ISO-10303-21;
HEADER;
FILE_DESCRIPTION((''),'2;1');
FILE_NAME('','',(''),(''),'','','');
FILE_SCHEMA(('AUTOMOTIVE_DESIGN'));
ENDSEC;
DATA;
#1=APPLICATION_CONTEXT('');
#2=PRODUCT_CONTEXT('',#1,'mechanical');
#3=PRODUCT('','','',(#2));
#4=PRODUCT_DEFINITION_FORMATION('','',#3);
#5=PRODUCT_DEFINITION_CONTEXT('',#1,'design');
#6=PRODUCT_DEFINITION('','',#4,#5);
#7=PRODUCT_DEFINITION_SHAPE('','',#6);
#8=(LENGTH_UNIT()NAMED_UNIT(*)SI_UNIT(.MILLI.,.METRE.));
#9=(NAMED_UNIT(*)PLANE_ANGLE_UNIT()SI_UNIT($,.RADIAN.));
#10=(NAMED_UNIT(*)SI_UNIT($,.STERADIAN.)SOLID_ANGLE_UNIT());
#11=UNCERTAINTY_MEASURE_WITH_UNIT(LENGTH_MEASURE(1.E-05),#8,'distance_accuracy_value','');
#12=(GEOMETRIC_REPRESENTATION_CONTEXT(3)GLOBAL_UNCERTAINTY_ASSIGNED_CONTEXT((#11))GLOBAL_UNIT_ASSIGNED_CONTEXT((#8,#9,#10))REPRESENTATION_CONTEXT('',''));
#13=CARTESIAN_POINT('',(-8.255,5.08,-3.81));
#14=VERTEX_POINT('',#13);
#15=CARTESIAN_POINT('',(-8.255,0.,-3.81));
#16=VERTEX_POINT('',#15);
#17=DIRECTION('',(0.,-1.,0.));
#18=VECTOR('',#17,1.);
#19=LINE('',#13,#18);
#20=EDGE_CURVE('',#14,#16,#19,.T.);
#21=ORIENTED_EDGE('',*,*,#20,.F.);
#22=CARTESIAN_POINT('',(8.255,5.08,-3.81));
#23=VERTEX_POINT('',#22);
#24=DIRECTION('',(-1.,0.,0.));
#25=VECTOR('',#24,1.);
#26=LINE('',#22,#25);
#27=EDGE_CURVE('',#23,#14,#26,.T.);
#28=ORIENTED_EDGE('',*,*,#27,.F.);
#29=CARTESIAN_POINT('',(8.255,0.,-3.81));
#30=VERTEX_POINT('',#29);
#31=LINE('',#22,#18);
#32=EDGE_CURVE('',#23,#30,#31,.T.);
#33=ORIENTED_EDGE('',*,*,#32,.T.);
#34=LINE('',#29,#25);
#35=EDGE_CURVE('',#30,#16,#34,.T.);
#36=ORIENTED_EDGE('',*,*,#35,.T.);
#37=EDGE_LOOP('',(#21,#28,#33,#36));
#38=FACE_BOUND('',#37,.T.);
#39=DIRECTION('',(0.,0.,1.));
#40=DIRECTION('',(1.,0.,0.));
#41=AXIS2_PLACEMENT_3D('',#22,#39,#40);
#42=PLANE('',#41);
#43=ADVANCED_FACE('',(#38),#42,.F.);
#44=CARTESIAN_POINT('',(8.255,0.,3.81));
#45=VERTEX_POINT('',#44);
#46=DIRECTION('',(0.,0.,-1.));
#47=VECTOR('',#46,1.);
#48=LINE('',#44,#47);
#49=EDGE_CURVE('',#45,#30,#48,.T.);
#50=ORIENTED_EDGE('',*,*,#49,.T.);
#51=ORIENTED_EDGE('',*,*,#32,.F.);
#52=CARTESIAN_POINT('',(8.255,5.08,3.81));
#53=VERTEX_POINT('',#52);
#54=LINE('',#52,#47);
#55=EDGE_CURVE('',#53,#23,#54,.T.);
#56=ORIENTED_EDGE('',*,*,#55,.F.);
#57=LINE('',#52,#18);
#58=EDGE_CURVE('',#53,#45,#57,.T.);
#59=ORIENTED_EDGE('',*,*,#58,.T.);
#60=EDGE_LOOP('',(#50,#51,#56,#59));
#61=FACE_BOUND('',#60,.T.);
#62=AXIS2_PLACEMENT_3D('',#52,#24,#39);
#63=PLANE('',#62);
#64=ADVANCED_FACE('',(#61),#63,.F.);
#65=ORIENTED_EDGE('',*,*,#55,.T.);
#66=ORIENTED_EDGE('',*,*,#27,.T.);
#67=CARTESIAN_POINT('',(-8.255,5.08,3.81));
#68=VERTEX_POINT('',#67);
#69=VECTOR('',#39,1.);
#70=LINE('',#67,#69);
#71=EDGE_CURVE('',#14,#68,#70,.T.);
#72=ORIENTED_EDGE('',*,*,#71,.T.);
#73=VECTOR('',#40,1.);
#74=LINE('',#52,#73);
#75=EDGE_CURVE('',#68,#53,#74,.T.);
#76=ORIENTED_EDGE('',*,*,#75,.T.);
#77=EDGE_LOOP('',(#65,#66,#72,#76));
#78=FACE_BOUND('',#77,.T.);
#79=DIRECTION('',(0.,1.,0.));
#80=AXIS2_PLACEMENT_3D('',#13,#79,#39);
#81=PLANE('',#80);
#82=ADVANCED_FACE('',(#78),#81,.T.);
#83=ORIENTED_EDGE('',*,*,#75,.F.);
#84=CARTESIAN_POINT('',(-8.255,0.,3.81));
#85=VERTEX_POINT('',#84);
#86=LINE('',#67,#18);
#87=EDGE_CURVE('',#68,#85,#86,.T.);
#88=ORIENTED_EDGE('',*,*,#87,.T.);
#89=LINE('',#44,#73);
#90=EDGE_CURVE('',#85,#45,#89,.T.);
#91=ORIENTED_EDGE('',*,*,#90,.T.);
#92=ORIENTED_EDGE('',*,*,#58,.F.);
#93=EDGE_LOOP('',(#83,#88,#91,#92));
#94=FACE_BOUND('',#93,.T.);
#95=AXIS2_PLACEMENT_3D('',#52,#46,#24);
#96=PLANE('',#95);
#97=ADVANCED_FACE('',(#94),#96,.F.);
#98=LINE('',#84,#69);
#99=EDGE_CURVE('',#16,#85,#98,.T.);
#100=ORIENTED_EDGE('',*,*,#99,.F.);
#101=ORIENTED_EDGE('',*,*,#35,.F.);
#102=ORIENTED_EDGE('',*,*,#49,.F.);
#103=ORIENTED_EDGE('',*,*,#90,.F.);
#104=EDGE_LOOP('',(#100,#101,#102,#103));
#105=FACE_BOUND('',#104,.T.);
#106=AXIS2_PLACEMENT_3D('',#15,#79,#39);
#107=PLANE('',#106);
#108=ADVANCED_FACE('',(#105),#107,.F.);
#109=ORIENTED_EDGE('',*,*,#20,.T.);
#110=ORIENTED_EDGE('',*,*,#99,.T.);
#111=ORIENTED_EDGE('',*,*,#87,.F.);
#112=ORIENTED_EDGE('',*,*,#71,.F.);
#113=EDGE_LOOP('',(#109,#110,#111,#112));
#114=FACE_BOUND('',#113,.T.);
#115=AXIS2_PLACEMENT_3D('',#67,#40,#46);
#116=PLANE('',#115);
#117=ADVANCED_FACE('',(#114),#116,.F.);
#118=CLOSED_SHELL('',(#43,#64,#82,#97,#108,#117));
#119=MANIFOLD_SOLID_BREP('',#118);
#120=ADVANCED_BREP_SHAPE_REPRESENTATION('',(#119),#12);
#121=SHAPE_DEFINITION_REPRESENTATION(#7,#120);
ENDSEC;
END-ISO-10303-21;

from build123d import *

# Parameters (mm, degrees)
SKETCH1_W      = 16.51
SKETCH1_H      = 7.62
EXTRUDE1_DEPTH = 5.08


with BuildPart() as part:
    # Sketch1 → Extrude1 (new body)
    with BuildSketch(Plane(origin=(0, 0, 0), x_dir=(1, 0, 0), z_dir=(0, 1, 0))):
        Rectangle(SKETCH1_W, SKETCH1_H)
    extrude(amount=EXTRUDE1_DEPTH)


solid = part.part
